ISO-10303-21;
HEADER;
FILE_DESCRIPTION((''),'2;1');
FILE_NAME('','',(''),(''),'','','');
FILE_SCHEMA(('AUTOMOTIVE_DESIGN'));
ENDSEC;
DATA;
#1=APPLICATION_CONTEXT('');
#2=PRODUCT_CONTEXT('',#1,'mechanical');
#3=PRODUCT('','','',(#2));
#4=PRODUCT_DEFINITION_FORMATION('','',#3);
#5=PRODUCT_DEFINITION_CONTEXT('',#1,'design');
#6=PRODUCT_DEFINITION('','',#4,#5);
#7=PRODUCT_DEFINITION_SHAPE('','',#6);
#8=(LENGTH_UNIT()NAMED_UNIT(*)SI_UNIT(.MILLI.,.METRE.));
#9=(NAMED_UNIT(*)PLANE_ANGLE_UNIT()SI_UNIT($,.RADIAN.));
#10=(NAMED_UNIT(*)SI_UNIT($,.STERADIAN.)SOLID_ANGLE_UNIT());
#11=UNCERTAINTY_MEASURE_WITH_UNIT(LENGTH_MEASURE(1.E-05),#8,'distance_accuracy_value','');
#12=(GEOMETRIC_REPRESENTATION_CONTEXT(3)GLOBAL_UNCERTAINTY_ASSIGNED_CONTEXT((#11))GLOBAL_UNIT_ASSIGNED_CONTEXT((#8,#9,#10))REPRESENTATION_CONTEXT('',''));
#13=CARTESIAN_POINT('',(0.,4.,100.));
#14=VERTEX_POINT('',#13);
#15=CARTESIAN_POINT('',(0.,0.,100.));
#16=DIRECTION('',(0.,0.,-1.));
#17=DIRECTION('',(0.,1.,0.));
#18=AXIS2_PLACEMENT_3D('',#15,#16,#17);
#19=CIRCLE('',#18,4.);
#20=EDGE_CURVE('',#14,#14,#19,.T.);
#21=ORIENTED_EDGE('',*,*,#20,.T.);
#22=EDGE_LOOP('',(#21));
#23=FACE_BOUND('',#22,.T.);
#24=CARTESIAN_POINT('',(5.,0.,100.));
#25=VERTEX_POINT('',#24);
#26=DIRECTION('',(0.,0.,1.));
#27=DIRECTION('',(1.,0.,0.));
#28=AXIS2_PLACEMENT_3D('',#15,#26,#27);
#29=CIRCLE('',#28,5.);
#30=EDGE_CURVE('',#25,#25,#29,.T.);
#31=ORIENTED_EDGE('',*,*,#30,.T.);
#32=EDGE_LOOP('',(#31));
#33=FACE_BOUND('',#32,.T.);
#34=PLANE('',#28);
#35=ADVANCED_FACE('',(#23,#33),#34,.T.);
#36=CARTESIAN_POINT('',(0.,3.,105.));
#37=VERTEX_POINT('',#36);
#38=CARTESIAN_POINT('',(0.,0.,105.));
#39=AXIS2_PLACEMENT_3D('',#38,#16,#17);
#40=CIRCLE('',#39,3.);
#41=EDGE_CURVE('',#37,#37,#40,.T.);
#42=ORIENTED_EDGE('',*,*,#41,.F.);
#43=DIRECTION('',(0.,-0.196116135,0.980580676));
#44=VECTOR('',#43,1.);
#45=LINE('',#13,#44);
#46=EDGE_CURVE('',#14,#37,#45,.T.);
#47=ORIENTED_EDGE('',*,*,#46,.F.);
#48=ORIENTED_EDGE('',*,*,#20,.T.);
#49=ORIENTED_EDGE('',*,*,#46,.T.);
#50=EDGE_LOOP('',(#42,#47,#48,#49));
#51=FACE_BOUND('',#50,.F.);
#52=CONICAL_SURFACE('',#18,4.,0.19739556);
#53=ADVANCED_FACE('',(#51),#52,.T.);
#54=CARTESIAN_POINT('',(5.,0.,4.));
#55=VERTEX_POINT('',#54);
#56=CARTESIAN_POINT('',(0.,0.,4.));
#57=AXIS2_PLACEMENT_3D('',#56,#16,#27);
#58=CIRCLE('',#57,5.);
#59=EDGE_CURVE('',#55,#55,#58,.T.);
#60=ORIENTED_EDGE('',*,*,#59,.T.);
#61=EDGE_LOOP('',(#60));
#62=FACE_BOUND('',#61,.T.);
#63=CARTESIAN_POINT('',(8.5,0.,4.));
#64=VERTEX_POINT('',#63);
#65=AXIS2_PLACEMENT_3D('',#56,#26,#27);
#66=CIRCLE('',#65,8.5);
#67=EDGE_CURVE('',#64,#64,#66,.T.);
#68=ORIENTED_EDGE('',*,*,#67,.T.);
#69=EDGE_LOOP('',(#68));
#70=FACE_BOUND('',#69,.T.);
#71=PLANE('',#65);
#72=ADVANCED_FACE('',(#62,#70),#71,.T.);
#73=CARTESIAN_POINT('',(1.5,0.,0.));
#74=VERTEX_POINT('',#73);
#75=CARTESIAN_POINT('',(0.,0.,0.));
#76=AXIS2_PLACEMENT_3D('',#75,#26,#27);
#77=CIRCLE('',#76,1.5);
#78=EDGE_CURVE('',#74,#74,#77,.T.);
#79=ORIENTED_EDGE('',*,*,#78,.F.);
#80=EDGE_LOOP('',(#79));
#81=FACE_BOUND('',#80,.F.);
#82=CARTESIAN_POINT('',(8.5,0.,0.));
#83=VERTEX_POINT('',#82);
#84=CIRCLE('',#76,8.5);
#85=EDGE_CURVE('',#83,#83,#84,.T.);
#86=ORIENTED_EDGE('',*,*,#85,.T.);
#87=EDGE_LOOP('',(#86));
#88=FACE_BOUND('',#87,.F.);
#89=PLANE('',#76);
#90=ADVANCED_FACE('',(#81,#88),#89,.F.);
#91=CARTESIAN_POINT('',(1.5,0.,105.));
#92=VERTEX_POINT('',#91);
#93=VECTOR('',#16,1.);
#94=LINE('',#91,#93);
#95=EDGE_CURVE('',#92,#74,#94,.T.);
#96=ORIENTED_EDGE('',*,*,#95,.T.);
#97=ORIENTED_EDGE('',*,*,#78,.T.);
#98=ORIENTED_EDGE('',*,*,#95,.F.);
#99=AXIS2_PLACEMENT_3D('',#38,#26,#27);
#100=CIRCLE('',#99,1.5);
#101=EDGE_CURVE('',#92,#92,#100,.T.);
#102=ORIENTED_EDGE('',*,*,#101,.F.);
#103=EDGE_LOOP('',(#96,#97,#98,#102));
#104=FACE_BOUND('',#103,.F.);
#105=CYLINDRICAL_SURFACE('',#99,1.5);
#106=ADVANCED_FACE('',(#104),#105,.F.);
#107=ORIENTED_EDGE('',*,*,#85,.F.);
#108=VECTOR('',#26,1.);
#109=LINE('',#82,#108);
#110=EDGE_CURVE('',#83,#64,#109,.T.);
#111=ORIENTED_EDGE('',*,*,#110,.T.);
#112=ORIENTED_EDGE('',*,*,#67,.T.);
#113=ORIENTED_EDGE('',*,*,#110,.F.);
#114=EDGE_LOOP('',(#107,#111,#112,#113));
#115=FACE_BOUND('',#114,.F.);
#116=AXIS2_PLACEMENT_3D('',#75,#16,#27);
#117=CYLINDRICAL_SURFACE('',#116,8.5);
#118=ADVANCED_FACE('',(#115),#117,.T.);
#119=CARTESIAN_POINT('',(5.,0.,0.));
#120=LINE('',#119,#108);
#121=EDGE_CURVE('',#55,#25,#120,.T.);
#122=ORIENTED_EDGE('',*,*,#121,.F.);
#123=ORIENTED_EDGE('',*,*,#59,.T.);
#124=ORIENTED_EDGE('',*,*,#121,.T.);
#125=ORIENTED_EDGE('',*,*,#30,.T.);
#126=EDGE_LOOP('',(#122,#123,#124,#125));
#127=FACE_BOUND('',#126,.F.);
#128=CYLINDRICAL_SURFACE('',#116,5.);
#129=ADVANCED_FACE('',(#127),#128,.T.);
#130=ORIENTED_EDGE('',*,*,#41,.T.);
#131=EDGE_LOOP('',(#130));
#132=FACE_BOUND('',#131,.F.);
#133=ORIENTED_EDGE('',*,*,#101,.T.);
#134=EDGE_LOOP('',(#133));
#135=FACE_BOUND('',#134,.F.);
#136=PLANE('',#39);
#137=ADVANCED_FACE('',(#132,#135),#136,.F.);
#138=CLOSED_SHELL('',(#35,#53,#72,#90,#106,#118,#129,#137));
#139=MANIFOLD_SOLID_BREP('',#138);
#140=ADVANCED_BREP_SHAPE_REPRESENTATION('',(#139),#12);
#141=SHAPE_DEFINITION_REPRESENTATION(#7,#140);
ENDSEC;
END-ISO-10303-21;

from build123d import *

# Parameters (mm, degrees)
F0_R     = 8.5
F1_DEPTH = 4
F2_R     = 5
F3_DEPTH = 100
F6_R     = 1.5
F7_DEPTH = 123


with BuildPart() as f1:
    # F0 (on Top) → F1 (new body)
    with BuildSketch(Plane.XY):
        Circle(F0_R)
    extrude(amount=F1_DEPTH)

    # F2 (on Top) → F3 (join)
    with BuildSketch(Plane.XY):
        Circle(F2_R)
    extrude(amount=F3_DEPTH)

    # F4 (on Right) → F5 (revolve)
    with BuildSketch(Plane.YZ):
        Polygon((3, 105), (0, 105), (0, 100), (4, 100), align=None)
    revolve(axis=Axis((0, 0, 102.5), (0, 0, -1)))

    # F6 (on face) → F7 (cut)
    with BuildSketch(Plane.XY.offset(105)):
        Circle(F6_R)
    extrude(amount=-F7_DEPTH, mode=Mode.SUBTRACT)


solid = f1.part
